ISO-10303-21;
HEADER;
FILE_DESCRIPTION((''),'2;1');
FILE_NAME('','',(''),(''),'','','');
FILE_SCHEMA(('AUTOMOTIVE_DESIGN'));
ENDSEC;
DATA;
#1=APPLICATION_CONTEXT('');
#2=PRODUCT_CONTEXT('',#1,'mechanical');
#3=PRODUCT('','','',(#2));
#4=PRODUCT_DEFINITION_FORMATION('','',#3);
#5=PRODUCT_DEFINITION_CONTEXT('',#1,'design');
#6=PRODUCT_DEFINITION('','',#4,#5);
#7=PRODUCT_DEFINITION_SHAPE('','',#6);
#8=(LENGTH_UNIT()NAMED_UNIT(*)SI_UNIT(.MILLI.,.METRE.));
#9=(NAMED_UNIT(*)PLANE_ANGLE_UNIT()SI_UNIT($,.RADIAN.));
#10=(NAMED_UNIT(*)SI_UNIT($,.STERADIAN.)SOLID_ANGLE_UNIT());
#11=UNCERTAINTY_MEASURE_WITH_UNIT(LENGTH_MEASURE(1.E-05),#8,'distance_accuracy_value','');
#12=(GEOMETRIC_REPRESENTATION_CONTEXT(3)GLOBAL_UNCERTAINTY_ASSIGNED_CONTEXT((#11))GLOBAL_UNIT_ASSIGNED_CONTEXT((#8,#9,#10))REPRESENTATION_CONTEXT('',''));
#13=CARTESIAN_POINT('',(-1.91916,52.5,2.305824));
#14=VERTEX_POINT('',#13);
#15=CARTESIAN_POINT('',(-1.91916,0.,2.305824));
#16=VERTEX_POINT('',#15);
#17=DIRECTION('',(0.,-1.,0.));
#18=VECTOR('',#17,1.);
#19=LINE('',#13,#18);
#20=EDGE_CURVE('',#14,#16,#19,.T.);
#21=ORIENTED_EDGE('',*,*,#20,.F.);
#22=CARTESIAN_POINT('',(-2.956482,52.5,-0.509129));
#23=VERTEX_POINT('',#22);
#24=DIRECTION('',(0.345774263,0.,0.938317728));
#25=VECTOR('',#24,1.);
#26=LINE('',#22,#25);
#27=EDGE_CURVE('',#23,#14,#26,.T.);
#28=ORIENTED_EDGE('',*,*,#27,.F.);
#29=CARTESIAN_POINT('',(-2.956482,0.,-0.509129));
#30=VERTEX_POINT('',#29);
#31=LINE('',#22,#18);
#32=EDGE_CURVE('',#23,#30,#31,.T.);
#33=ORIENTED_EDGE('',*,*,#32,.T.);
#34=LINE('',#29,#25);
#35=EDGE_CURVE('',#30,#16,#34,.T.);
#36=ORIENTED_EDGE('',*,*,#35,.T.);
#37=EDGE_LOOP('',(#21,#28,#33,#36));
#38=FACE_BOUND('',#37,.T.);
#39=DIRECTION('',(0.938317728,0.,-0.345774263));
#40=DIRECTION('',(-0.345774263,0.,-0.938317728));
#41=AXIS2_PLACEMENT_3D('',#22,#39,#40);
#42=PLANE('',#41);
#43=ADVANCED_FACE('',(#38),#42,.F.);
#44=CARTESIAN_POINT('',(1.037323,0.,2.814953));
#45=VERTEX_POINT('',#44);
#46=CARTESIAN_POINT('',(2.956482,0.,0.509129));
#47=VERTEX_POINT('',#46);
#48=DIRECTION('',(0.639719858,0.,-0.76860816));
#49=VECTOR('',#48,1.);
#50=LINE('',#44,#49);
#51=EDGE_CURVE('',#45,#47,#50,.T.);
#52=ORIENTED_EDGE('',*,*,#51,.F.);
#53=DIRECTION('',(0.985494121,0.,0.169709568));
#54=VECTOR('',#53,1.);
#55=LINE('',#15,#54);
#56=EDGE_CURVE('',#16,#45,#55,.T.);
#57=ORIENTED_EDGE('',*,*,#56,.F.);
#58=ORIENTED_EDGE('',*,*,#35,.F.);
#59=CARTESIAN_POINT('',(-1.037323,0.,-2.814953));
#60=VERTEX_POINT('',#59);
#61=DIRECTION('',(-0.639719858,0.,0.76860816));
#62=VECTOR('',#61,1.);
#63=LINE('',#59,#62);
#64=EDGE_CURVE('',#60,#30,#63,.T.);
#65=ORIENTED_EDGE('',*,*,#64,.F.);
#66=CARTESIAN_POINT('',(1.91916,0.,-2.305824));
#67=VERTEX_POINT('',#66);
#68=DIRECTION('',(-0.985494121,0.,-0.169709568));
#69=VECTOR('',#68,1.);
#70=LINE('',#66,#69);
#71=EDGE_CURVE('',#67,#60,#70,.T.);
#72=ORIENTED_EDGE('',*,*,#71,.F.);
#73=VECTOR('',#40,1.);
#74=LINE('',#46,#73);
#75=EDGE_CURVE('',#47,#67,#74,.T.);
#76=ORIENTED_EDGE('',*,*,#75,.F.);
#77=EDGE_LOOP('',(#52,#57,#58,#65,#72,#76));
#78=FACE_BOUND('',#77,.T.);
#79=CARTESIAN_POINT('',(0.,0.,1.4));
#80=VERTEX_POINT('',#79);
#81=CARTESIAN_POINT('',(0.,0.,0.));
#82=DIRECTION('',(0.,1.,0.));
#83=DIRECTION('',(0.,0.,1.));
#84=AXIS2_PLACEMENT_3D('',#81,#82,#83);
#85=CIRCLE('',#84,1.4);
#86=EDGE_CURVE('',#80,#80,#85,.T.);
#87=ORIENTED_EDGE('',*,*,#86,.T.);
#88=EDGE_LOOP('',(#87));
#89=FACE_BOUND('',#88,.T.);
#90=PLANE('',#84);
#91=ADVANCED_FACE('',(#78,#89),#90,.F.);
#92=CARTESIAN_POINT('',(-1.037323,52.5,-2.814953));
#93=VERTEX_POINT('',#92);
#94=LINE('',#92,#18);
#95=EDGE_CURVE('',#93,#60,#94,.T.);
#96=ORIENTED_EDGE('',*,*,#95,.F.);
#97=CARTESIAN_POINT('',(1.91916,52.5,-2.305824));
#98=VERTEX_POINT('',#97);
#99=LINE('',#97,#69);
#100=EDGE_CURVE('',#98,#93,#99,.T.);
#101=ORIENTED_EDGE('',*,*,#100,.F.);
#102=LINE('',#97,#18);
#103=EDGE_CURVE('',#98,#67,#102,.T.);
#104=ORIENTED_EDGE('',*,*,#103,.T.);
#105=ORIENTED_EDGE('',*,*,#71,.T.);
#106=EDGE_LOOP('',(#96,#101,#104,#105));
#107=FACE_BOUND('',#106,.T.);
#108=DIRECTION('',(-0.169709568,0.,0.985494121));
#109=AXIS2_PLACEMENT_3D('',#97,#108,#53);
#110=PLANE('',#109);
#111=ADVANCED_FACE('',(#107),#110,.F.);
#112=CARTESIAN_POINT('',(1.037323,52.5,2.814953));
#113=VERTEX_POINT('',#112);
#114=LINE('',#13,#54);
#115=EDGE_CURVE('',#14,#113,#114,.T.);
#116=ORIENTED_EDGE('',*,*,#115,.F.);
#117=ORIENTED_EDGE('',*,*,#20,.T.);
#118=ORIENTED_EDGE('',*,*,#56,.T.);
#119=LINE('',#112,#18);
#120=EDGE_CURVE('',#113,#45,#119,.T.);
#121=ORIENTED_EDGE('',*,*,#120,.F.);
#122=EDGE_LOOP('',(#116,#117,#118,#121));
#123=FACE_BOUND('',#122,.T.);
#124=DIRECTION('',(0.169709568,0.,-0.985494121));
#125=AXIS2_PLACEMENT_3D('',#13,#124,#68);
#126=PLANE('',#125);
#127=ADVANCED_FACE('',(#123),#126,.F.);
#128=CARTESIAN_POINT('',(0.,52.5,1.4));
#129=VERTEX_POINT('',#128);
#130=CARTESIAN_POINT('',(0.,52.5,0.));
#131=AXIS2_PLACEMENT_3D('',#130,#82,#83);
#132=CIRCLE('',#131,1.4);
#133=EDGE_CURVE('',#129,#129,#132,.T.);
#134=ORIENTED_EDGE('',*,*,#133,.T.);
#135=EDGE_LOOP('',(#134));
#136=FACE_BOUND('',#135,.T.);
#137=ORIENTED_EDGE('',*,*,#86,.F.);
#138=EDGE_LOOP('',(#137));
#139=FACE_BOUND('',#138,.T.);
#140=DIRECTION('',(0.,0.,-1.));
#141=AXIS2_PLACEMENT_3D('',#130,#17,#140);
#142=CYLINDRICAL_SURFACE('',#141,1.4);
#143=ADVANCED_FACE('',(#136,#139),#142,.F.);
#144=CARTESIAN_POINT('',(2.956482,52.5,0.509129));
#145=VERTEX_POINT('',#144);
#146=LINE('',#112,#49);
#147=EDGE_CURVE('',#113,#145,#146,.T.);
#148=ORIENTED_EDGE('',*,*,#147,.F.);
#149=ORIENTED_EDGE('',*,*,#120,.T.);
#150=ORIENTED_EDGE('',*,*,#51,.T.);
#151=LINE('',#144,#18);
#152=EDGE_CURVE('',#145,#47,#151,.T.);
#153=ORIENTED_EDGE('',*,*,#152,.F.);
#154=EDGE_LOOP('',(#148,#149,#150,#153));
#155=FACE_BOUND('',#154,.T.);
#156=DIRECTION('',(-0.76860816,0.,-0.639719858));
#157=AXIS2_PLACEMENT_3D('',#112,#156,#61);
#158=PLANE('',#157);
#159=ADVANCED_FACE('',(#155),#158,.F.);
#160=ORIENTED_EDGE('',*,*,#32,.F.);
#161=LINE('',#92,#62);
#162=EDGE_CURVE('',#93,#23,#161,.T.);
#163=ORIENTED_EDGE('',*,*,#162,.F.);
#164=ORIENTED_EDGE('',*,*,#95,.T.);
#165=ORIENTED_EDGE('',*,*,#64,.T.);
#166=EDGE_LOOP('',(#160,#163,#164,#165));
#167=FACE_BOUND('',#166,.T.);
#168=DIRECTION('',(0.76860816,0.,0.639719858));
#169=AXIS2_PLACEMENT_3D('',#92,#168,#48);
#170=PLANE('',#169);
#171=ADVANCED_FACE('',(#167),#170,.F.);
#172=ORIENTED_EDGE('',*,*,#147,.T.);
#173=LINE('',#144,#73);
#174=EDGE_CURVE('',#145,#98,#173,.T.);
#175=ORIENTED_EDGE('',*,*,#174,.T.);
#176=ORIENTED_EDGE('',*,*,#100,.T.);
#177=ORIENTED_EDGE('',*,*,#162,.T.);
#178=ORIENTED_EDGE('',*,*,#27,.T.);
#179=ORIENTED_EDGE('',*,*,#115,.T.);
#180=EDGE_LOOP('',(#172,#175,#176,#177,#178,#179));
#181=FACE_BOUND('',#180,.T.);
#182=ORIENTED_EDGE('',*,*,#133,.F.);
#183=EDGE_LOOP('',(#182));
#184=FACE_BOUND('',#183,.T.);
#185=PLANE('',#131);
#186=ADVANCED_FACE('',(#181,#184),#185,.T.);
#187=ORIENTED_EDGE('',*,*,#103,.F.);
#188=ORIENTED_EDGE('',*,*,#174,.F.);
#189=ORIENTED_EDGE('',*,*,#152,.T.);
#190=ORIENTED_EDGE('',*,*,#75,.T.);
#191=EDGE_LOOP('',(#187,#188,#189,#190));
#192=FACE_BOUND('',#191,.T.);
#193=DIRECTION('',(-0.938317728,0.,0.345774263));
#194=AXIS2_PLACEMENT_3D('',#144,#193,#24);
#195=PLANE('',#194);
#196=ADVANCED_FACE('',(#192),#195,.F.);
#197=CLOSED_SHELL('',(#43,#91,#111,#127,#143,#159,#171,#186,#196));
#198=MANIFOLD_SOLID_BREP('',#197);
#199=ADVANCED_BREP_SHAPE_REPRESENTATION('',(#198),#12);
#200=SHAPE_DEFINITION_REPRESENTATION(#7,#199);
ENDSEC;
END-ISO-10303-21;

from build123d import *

# Parameters (mm, degrees)
SKETCH1_R           = 1.4
BOSS_EXTRUDE1_DEPTH = 52.5


with BuildPart() as part:
    # Sketch1 → Boss-Extrude1 (new body)
    with BuildSketch(Plane(origin=(0, 0, 0), x_dir=(1, 0, 0), z_dir=(0, 1, 0))):
        Polygon((1.03732279, -2.814953184), (2.956482363, -0.509128705), (1.919159573, 2.30582448), (-1.03732279, 2.814953184), (-2.956482363, 0.509128704), (-1.919159573, -2.30582448), align=None)
        with Locations(Location((0, 0, 0), (0, 0, 270))):
            Circle(SKETCH1_R, mode=Mode.SUBTRACT)
    extrude(amount=BOSS_EXTRUDE1_DEPTH)


solid = part.part
